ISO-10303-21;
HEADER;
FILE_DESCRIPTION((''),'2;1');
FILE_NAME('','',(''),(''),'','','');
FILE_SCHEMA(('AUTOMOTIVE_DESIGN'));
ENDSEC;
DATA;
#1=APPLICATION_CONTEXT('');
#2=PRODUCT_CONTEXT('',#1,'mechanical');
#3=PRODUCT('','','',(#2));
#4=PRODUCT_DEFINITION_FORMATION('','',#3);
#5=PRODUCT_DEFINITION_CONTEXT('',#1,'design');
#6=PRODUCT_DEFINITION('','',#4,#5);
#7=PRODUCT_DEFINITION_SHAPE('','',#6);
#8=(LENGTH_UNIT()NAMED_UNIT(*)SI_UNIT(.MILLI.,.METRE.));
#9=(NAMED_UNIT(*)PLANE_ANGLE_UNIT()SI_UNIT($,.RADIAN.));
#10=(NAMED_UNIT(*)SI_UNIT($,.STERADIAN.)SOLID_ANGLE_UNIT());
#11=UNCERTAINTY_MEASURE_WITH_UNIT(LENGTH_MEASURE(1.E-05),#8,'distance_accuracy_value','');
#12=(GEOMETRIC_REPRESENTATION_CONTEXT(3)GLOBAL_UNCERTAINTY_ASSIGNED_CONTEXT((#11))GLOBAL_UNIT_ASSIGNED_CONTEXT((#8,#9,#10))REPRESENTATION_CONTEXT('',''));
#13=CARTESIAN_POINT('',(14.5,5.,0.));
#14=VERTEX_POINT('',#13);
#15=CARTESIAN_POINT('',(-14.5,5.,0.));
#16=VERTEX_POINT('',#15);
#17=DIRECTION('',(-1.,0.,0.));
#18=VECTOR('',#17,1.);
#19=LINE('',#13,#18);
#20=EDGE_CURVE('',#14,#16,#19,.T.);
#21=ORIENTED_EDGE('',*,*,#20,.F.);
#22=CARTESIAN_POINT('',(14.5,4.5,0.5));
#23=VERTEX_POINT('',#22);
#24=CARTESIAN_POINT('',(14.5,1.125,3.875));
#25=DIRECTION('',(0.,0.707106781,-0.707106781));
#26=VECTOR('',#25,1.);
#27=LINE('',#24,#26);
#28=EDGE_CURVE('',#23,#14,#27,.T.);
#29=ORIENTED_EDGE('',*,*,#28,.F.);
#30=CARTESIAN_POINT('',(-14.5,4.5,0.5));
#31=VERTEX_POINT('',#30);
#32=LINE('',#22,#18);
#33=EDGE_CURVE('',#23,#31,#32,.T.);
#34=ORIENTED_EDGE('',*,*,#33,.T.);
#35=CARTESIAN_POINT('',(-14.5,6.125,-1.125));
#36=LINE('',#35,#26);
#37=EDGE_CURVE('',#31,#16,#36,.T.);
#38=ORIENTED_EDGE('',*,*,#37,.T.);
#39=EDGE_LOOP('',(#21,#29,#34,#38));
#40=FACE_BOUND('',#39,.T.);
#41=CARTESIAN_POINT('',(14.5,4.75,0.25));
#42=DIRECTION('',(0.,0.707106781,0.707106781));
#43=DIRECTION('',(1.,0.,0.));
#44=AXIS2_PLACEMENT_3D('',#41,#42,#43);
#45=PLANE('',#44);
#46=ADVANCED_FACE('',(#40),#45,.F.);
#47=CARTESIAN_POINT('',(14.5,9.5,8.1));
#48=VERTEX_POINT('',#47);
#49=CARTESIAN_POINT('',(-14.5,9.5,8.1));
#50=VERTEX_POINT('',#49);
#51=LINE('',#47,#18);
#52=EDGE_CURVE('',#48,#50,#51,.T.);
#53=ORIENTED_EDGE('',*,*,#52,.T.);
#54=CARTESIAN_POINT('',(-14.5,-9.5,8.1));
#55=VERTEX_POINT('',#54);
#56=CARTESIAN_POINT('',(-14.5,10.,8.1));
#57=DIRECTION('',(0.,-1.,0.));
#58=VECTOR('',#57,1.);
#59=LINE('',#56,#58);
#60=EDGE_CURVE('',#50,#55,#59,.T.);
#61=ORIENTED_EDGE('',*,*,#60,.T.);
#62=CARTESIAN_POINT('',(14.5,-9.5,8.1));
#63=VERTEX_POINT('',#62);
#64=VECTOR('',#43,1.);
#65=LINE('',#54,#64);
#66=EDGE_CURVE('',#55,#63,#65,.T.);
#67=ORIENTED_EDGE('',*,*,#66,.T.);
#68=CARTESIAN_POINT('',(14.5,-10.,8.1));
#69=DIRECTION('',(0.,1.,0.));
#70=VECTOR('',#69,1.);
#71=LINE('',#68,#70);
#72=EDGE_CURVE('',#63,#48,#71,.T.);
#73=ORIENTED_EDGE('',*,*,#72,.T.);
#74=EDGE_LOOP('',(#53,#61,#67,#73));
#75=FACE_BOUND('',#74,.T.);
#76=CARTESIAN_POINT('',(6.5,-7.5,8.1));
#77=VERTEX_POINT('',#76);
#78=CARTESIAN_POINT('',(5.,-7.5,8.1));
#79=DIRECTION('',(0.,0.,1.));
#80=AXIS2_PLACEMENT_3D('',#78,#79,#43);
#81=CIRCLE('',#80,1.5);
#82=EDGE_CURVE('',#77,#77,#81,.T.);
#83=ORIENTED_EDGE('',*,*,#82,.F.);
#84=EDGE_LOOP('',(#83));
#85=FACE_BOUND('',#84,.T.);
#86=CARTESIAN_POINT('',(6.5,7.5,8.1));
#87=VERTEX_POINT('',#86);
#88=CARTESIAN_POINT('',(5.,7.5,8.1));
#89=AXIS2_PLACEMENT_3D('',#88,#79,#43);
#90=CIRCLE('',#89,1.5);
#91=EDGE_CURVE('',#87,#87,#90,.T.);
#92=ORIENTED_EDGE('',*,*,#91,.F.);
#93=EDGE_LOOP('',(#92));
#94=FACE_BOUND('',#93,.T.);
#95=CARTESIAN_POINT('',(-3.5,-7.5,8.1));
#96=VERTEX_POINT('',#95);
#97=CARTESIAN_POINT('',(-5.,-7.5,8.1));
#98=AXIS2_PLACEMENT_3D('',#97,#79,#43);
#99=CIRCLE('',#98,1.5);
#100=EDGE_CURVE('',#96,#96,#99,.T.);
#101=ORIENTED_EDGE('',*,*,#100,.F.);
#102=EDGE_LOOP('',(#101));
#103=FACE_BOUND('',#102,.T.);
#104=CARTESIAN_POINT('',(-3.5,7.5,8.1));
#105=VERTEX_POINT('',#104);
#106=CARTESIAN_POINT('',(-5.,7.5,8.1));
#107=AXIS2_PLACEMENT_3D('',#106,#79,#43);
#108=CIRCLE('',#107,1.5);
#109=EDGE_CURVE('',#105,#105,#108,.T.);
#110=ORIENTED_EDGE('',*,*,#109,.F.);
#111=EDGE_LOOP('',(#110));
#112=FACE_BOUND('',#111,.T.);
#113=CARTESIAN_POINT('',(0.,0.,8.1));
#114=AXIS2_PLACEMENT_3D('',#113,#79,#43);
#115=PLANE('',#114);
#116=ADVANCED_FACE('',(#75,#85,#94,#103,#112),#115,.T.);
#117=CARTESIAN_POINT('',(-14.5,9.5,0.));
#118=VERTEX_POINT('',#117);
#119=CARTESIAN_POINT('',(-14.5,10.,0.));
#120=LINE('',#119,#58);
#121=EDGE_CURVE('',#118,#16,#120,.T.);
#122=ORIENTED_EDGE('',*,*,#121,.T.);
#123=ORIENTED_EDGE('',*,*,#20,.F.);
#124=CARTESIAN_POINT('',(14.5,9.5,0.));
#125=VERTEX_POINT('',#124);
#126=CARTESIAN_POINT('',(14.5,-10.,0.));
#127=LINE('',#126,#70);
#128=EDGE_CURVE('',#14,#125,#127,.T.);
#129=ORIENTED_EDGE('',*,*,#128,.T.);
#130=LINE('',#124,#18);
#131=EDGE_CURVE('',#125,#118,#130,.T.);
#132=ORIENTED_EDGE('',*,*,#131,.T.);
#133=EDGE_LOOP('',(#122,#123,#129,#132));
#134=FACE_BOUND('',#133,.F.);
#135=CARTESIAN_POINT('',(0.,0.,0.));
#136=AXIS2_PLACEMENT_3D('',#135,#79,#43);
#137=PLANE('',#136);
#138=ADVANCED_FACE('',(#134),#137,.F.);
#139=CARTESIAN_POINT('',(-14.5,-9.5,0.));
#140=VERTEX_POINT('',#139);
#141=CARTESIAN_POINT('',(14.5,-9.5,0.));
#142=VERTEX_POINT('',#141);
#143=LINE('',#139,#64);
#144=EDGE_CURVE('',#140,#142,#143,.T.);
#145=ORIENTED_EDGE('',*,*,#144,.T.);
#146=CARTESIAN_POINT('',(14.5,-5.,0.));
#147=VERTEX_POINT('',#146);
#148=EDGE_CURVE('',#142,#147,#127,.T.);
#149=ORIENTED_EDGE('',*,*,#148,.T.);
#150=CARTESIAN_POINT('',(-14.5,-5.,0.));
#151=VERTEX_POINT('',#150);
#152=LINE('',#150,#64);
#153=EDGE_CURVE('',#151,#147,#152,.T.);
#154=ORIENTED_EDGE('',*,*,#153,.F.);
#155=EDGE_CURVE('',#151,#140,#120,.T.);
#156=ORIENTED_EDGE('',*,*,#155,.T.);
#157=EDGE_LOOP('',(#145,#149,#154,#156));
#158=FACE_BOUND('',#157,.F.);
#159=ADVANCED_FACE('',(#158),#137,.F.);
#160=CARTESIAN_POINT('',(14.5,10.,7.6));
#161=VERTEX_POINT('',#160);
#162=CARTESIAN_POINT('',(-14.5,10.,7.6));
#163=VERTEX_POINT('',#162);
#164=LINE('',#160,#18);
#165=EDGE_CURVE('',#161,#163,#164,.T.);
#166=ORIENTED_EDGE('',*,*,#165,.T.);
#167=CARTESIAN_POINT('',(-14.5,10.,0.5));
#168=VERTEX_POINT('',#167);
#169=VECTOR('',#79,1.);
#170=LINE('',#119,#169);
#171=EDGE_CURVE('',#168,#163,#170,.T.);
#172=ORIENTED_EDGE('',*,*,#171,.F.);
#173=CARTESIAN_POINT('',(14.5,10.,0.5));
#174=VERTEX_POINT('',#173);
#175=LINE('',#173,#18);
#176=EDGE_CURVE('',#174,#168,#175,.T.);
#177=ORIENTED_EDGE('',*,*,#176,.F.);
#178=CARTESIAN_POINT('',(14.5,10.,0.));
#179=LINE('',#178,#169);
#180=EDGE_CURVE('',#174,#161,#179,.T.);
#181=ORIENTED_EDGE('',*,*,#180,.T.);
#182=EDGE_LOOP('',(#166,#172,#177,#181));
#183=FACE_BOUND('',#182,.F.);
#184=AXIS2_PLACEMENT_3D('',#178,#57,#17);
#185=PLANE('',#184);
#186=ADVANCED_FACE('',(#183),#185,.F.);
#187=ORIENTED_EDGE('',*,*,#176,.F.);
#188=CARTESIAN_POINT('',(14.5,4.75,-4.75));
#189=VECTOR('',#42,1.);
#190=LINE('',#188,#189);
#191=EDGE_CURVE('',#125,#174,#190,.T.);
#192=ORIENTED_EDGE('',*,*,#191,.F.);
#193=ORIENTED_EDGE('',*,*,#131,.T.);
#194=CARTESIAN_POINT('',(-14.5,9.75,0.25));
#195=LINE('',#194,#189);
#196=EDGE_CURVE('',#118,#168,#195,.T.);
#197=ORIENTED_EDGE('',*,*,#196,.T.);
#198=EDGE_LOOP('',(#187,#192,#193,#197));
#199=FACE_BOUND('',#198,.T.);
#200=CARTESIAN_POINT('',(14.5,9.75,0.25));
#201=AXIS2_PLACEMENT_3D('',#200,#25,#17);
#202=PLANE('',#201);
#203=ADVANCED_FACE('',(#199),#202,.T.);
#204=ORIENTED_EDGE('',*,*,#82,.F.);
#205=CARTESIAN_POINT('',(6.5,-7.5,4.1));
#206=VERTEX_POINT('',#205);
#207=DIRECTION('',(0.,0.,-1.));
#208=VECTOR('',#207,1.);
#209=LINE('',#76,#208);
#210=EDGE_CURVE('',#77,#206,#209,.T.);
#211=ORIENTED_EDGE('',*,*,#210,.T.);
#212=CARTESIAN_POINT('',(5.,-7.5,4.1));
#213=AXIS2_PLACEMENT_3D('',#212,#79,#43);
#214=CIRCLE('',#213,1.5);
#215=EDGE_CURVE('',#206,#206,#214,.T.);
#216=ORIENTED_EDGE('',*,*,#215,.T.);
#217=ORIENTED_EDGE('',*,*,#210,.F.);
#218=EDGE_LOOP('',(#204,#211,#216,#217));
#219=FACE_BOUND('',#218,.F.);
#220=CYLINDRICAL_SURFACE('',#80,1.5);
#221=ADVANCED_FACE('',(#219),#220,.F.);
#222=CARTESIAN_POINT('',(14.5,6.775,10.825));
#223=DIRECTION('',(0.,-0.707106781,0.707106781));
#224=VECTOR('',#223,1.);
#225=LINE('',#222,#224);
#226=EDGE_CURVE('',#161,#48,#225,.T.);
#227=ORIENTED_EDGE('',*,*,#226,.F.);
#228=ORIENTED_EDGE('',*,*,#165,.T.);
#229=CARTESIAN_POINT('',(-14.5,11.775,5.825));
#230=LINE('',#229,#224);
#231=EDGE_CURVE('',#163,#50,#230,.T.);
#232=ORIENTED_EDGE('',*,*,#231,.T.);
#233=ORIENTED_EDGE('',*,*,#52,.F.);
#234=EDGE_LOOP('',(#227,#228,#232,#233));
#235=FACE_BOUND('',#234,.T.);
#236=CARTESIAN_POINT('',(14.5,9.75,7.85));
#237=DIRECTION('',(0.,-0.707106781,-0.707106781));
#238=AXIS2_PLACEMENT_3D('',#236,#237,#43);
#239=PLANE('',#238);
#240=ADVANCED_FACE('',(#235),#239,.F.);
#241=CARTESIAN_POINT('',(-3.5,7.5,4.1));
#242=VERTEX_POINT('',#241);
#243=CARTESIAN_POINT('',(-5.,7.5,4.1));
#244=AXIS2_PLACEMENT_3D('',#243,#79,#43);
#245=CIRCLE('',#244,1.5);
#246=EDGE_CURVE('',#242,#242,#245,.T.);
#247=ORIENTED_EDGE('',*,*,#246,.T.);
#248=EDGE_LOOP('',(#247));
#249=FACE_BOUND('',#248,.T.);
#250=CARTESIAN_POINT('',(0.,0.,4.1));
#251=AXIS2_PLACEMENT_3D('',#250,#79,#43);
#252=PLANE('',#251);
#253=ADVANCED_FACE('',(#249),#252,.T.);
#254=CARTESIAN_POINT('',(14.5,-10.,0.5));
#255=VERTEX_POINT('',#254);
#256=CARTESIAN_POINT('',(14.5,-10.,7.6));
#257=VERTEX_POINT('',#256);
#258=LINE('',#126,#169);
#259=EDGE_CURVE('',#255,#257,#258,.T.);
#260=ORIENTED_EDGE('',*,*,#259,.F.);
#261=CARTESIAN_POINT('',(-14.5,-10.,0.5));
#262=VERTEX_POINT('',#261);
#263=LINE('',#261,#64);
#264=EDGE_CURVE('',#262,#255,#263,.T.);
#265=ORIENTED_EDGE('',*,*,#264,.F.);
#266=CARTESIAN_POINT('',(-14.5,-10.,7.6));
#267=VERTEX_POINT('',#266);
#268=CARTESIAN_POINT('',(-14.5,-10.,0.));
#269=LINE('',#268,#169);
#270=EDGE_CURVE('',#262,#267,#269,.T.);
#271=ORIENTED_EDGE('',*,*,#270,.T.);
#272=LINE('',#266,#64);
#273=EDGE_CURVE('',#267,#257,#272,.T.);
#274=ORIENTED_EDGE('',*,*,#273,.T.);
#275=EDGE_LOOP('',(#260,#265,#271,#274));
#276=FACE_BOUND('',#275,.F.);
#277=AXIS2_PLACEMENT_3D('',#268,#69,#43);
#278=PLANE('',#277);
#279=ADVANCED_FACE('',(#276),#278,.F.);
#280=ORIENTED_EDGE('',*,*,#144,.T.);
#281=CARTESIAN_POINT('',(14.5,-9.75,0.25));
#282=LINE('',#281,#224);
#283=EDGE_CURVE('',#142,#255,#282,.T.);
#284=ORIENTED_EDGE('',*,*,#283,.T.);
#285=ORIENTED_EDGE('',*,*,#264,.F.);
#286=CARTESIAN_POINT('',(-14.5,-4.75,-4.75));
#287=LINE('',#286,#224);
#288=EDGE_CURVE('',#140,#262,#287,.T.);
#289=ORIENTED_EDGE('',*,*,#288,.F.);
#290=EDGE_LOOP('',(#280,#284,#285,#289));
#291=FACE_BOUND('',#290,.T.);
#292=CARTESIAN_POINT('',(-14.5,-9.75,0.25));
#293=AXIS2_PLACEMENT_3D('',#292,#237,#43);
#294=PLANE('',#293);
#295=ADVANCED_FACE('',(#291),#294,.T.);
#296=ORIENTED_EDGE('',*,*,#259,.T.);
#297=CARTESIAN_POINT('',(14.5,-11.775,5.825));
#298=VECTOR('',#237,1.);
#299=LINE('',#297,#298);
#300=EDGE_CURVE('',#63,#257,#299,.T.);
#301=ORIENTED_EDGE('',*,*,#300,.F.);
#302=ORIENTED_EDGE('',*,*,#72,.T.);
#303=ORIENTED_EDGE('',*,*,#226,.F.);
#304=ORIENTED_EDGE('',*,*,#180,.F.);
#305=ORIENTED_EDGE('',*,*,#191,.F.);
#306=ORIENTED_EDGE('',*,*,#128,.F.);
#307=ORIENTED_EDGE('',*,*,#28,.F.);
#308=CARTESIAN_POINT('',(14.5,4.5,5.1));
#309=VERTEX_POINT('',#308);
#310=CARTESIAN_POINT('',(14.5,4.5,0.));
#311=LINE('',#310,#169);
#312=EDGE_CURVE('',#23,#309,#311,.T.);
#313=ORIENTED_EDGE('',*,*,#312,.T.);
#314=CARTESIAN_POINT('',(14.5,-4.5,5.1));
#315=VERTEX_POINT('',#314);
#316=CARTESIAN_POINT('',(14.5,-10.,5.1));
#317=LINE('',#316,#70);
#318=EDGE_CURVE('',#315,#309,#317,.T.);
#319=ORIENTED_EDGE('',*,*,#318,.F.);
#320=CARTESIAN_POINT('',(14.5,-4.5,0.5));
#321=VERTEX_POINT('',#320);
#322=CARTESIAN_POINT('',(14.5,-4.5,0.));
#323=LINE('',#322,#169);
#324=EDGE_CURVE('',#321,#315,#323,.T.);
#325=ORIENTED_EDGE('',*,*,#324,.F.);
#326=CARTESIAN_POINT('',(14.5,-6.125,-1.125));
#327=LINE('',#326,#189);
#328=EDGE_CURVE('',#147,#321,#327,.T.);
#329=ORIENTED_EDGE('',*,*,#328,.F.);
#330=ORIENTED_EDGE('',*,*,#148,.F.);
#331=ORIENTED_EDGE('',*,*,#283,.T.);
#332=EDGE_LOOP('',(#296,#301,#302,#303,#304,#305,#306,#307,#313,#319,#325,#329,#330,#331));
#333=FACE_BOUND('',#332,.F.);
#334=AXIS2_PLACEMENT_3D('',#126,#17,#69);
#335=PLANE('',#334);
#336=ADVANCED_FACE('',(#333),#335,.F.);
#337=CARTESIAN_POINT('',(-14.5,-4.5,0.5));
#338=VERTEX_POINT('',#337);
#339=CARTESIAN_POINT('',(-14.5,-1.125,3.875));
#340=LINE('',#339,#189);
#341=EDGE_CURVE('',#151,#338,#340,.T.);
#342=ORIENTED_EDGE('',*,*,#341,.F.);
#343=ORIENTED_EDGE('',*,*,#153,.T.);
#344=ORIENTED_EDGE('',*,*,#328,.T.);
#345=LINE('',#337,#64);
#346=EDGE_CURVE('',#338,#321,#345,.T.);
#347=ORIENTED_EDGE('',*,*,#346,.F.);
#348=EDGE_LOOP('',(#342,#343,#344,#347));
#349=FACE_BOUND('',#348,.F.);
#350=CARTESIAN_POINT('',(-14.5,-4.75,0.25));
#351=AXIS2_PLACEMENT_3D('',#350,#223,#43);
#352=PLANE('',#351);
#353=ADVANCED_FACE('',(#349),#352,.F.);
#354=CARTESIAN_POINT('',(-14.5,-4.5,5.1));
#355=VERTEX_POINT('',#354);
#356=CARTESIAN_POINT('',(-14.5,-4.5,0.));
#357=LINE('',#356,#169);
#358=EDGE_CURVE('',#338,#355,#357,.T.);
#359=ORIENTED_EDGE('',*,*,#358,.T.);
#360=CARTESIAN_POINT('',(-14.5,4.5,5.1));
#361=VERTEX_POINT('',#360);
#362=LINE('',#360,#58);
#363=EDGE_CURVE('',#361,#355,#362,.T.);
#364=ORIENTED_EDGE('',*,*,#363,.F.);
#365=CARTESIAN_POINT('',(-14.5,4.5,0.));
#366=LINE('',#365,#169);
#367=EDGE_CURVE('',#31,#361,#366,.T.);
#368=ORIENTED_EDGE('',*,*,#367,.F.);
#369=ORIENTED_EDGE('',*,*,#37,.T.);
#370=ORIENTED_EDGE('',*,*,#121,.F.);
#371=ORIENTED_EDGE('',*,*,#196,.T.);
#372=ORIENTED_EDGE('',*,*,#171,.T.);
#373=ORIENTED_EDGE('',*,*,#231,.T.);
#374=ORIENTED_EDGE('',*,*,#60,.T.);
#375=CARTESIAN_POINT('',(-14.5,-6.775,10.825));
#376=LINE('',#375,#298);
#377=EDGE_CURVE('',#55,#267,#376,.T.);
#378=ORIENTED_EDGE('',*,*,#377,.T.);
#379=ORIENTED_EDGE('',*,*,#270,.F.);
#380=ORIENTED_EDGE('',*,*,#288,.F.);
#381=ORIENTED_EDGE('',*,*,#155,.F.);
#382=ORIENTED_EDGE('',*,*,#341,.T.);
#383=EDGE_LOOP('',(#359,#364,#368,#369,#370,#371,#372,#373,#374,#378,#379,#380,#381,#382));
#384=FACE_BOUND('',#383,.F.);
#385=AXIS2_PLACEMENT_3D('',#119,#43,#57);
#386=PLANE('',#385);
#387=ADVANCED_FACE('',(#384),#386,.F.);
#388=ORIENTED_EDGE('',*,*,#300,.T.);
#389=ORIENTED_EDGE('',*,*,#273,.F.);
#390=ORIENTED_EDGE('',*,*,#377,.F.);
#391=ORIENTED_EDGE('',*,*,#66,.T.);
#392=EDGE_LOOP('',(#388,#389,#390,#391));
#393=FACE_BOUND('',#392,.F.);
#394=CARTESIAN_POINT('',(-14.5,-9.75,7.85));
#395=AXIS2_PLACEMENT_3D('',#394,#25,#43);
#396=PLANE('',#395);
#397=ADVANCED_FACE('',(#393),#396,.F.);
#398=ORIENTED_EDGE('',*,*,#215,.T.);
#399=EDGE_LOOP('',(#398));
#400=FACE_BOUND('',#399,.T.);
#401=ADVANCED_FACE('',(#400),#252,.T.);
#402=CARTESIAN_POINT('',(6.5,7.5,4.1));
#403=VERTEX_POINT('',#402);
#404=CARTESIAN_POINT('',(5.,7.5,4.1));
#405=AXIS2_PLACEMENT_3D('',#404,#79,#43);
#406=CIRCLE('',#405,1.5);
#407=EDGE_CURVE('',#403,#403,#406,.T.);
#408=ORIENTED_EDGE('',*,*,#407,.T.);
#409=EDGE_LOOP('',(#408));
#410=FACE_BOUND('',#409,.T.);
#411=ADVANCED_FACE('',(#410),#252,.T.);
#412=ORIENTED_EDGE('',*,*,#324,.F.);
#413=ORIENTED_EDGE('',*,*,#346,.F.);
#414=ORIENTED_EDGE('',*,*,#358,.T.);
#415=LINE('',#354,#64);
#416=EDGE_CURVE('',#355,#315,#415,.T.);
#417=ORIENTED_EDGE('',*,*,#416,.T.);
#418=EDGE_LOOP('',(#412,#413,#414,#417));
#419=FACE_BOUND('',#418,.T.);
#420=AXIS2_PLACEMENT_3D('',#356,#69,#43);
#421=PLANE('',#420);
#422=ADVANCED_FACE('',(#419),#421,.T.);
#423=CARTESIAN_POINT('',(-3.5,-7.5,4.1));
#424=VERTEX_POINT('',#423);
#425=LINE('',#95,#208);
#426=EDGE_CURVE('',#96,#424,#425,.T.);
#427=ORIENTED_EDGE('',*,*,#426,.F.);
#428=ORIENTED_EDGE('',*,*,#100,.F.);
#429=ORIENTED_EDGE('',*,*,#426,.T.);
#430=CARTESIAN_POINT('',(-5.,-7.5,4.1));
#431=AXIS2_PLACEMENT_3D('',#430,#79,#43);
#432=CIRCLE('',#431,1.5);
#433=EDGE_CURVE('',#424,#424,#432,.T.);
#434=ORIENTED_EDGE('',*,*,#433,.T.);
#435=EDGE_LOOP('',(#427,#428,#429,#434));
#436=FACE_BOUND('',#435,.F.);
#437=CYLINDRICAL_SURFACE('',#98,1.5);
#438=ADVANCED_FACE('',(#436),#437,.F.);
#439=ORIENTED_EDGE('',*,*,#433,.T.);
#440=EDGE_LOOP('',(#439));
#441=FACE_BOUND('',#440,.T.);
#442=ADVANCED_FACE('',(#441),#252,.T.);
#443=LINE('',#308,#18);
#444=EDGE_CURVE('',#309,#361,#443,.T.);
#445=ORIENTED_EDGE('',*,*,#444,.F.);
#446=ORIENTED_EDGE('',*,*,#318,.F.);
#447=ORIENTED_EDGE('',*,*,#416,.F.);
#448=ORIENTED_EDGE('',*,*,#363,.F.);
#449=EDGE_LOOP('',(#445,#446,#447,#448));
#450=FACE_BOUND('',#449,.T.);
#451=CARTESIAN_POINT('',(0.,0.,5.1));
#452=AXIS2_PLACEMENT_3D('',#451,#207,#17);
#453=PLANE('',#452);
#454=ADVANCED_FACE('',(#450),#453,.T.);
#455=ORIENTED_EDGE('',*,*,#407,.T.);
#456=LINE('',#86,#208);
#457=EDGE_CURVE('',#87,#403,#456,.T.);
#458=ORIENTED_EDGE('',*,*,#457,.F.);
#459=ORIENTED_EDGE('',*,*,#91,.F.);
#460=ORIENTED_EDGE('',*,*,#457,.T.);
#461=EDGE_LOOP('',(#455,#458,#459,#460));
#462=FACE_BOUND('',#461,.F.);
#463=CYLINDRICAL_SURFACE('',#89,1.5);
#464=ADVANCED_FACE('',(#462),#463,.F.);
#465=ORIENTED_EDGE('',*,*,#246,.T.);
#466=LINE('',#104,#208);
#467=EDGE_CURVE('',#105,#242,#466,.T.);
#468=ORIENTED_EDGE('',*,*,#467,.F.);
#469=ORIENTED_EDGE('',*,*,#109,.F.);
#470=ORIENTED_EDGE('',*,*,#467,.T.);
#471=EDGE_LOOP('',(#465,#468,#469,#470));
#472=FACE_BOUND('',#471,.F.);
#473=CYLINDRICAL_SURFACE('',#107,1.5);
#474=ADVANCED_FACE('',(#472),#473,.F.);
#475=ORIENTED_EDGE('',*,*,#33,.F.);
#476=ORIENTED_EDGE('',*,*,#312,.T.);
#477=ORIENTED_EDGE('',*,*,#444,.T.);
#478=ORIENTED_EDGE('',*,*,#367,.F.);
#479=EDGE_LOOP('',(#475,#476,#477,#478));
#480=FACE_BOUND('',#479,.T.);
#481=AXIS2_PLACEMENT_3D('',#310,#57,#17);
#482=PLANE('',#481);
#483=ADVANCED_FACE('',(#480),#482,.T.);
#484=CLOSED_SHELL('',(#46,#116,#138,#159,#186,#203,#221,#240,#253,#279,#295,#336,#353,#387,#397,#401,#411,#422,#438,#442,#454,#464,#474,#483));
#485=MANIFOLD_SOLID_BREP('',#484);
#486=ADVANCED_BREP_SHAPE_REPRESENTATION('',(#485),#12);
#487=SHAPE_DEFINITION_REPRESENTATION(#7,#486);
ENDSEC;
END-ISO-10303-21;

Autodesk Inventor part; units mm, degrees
ref_plane "YZ Plane" through (0, 0, 0) normal (1, 0, 0) x (0, 1, 0)
ref_plane "XZ Plane" through (0, 0, 0) normal (0, 1, 0) x (-1, 0, 0)
ref_plane "XY Plane" through (0, 0, 0) normal (0, 0, 1) x (1, 0, 0)
sketch "スケッチ1" plane through (0, 0, 0) normal (0, 0, 1) x (1, 0, 0)
  line L0 (14.5, 10) -> (-14.5, 10)
  line L1 (-14.5, 10) -> (-14.5, -10)
  line L2 (-14.5, -10) -> (14.5, -10)
  line L3 (14.5, -10) -> (14.5, 10)
  line L4 (14.5, 10) -> (-14.5, -10) construction
  line L5 (-14.5, 10) -> (14.5, -10) construction
  point P0 (0, 0)
  dimension "d0" = 29
  dimension "d1" = 20
extrude "押し出し1" add sketch "スケッチ1" along normal blind 8.1
sketch "スケッチ2" plane through (0, 0, 8.1) normal (0, 0, 1) x (1, 0, 0)
  circle A0 centre (-5, 7.5) radius 1.5
  circle A1 centre (5, 7.5) radius 1.5
  circle A2 centre (5, -7.5) radius 1.5
  circle A3 centre (-5, -7.5) radius 1.5
  point P0 (0, 0)
  dimension "d4" = 3
  dimension "d5" = 3
  dimension "d6" = 3
  dimension "d7" = 3
extrude "押し出し2" cut sketch "スケッチ2" against normal blind 4
thread "ねじ1" size "M3x0.5" class "6H" standard "ANSI Metric M Profile" full length
thread "ねじ2" size "M3x0.5" class "6H" standard "ANSI Metric M Profile" full length
thread "ねじ3" size "M3x0.5" class "6H" standard "ANSI Metric M Profile" full length
thread "ねじ4" size "M3x0.5" class "6H" standard "ANSI Metric M Profile" full length
sketch "スケッチ3" plane through (0, 0, 0) normal (0, 0, -1) x (-1, 0, 0)
  line L0 (-14.5, -10) -> (-14.5, 10) projected
  line L1 (14.5, -4.5) -> (-14.5, -4.5)
  line L2 (-14.5, -4.5) -> (-14.5, 4.5)
  line L3 (-14.5, 4.5) -> (14.5, 4.5)
  line L4 (14.5, 4.5) -> (14.5, -4.5)
  line L5 (14.5, -4.5) -> (-14.5, 4.5) construction
  line L6 (-14.5, -4.5) -> (14.5, 4.5) construction
  point P0 (0, 0)
  dimension "d18" = 9
extrude "押し出し3" cut sketch "スケッチ3" against normal blind 5.1
chamfer "面取り1" distance 0.5 angle 45 6 edges at (0, 10, 8.1) (0, -10, 8.1) (0, -10, 0) (0, 10, 0) (0, -4.5, 0) (0, 4.5, 0)
properties part number "slider" material "ステンレス鋼"
